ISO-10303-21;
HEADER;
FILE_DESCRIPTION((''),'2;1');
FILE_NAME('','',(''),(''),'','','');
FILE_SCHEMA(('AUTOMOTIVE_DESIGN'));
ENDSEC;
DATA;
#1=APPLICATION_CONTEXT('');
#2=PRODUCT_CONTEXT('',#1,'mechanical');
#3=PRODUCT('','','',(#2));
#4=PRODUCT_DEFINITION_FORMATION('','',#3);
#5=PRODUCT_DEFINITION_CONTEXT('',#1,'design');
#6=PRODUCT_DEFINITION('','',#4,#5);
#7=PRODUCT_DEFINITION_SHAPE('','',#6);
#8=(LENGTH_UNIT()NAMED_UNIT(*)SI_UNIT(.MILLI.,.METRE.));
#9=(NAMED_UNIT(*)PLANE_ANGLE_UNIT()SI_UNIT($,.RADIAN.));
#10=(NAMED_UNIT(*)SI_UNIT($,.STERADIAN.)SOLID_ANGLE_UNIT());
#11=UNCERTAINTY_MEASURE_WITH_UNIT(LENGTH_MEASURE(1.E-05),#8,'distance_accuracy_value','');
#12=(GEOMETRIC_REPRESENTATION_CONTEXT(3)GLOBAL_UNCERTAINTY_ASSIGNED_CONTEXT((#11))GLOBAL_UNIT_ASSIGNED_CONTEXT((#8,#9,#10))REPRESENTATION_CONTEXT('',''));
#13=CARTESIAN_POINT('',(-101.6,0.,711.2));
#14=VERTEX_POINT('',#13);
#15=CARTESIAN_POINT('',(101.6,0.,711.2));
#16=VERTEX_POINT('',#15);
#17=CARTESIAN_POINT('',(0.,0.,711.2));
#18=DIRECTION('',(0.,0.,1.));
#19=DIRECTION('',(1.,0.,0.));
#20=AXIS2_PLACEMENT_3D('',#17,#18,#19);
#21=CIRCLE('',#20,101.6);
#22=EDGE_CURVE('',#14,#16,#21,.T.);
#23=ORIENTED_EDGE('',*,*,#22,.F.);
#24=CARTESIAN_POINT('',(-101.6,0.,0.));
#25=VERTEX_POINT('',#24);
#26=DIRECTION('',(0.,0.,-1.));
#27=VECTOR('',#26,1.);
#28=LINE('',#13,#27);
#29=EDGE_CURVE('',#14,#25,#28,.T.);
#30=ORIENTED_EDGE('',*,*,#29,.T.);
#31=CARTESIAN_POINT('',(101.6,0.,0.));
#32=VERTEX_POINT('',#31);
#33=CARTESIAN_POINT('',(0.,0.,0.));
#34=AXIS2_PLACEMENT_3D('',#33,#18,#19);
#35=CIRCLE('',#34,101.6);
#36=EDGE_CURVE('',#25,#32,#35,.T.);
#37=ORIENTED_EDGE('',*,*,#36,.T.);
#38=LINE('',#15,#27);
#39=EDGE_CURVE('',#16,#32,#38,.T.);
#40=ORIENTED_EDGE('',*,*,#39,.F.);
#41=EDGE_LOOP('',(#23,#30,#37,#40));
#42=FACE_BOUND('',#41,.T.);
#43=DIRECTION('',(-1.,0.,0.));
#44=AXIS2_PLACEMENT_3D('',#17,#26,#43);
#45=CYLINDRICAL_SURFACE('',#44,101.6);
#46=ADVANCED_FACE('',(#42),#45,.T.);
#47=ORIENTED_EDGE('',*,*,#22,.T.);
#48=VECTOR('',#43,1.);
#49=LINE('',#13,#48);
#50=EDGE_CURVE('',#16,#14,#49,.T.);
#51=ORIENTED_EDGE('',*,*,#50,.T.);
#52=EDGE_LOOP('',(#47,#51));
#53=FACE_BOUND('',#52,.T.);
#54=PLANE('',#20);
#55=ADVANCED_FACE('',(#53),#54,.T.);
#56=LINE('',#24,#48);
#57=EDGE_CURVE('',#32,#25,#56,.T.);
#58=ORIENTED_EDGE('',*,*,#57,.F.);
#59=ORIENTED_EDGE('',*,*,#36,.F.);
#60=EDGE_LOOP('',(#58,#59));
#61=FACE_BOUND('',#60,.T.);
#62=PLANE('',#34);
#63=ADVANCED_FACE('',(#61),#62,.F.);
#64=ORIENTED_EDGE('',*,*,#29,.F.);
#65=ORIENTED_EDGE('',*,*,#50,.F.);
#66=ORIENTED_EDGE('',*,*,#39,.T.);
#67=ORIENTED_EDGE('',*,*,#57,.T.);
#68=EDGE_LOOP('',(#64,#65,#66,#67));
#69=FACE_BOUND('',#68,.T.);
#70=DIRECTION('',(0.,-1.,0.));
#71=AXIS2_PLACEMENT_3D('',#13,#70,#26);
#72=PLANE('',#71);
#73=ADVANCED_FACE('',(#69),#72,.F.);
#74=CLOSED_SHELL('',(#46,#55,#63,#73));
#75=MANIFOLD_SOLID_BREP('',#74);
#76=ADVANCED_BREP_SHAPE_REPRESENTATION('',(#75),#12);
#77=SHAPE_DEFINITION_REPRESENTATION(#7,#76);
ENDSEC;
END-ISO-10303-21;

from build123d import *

# Parameters (mm, degrees)
BOSS_EXTRUDE1_DEPTH = 711.2


with BuildPart() as part:
    # Sketch1 → Boss-Extrude1 (new body)
    with BuildSketch(Plane.XY):
        with BuildLine():
            Line((-101.6, 0), (101.6, 0))
            ThreePointArc((101.6, 0), (0, -101.6), (-101.6, 0))
        make_face()
    extrude(amount=BOSS_EXTRUDE1_DEPTH)


solid = part.part
